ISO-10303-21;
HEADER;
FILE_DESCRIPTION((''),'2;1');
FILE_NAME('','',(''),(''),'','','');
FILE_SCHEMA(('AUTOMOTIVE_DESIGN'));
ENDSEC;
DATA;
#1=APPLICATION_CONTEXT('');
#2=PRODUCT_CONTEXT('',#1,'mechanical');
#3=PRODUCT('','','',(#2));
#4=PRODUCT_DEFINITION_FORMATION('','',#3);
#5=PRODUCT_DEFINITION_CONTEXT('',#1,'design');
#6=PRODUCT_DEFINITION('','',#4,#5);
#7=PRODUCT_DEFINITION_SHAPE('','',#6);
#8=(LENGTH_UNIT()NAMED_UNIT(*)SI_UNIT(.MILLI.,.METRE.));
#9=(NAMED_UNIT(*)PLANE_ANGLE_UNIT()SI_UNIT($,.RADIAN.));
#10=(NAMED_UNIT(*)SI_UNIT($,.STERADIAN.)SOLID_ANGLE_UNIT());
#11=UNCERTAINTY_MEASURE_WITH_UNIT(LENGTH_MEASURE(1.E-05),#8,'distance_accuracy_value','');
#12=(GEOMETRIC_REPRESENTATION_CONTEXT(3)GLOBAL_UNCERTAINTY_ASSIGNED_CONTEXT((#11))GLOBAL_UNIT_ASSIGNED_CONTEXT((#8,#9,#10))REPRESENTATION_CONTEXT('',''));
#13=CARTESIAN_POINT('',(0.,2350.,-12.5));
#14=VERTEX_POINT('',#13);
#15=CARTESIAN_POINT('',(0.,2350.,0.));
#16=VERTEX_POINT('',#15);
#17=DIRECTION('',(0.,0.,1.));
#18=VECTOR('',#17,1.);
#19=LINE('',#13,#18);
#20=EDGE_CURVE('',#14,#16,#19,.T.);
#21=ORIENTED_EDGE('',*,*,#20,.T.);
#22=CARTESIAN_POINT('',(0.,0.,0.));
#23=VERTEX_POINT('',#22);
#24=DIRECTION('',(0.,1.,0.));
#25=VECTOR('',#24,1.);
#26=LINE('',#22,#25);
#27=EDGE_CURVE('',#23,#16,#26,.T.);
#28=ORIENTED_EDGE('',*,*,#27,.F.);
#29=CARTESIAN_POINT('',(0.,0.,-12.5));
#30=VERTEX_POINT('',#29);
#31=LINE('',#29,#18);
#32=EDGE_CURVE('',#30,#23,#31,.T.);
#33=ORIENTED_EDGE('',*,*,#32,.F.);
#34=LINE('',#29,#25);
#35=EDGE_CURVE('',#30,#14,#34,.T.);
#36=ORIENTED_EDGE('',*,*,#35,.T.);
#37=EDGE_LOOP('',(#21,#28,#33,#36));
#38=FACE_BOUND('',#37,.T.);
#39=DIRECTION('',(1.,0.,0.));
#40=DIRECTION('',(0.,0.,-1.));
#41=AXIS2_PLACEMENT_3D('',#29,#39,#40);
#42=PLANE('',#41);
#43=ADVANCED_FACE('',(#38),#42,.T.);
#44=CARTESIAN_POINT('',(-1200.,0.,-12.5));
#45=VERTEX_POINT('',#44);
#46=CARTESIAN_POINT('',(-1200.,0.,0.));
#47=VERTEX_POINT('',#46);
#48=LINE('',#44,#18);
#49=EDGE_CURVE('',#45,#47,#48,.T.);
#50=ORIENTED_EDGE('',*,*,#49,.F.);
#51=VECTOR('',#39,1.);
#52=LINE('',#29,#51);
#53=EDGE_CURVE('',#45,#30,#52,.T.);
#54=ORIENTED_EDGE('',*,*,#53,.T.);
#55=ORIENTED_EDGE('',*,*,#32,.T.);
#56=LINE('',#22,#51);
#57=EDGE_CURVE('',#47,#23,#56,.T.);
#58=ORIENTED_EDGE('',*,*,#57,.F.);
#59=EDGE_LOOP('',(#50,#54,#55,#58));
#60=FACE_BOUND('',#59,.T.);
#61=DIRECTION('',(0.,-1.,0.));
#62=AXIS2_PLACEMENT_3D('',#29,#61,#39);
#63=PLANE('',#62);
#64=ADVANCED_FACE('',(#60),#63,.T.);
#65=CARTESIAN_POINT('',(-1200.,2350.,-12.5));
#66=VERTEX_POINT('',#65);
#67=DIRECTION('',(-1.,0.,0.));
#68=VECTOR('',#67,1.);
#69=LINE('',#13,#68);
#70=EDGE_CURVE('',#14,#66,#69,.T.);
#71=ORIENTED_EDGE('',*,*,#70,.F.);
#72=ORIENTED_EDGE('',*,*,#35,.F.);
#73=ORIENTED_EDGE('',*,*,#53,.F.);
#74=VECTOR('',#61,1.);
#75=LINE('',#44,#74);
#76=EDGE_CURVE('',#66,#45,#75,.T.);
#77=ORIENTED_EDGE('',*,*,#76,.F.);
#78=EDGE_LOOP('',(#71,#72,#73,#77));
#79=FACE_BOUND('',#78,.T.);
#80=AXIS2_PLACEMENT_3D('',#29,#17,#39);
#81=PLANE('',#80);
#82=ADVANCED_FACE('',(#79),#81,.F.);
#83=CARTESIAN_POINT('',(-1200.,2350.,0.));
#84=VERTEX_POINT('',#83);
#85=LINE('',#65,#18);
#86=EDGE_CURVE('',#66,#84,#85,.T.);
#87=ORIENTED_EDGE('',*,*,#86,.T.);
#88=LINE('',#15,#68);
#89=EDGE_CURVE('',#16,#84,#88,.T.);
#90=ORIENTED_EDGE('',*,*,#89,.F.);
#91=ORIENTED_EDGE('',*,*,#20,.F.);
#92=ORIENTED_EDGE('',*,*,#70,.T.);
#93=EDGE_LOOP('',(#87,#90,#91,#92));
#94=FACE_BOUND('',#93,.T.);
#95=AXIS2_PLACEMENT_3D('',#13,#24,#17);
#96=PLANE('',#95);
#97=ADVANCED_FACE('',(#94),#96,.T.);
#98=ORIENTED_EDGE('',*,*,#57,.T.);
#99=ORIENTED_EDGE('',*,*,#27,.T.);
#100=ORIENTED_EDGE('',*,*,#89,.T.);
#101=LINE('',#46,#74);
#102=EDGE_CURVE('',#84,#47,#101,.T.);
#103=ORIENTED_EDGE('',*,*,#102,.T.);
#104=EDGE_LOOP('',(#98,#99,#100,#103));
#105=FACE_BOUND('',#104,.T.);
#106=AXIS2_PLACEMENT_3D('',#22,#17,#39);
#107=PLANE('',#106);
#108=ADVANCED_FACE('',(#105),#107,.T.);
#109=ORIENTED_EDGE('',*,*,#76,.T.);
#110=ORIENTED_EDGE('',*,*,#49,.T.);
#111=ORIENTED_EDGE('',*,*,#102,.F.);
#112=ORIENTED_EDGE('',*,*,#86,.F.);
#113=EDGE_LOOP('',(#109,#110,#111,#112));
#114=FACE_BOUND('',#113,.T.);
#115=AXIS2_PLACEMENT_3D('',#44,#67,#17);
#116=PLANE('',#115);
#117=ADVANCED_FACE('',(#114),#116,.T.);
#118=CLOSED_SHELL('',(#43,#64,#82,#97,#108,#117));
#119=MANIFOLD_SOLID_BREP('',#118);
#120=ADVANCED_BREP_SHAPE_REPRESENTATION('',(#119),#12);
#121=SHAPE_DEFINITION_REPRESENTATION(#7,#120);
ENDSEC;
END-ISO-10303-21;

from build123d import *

# Parameters (mm, degrees)
SKETCH_1_W      = 1200
SKETCH_1_H      = 2350
EXTRUDE_1_DEPTH = 12.5


with BuildPart() as part:
    # Эскиз1 → Бобышка-Вытянуть1 (new body)
    with BuildSketch(Plane.XY):
        with Locations((-600, 1175)):
            Rectangle(SKETCH_1_W, SKETCH_1_H)
    extrude(amount=-EXTRUDE_1_DEPTH)


solid = part.part
